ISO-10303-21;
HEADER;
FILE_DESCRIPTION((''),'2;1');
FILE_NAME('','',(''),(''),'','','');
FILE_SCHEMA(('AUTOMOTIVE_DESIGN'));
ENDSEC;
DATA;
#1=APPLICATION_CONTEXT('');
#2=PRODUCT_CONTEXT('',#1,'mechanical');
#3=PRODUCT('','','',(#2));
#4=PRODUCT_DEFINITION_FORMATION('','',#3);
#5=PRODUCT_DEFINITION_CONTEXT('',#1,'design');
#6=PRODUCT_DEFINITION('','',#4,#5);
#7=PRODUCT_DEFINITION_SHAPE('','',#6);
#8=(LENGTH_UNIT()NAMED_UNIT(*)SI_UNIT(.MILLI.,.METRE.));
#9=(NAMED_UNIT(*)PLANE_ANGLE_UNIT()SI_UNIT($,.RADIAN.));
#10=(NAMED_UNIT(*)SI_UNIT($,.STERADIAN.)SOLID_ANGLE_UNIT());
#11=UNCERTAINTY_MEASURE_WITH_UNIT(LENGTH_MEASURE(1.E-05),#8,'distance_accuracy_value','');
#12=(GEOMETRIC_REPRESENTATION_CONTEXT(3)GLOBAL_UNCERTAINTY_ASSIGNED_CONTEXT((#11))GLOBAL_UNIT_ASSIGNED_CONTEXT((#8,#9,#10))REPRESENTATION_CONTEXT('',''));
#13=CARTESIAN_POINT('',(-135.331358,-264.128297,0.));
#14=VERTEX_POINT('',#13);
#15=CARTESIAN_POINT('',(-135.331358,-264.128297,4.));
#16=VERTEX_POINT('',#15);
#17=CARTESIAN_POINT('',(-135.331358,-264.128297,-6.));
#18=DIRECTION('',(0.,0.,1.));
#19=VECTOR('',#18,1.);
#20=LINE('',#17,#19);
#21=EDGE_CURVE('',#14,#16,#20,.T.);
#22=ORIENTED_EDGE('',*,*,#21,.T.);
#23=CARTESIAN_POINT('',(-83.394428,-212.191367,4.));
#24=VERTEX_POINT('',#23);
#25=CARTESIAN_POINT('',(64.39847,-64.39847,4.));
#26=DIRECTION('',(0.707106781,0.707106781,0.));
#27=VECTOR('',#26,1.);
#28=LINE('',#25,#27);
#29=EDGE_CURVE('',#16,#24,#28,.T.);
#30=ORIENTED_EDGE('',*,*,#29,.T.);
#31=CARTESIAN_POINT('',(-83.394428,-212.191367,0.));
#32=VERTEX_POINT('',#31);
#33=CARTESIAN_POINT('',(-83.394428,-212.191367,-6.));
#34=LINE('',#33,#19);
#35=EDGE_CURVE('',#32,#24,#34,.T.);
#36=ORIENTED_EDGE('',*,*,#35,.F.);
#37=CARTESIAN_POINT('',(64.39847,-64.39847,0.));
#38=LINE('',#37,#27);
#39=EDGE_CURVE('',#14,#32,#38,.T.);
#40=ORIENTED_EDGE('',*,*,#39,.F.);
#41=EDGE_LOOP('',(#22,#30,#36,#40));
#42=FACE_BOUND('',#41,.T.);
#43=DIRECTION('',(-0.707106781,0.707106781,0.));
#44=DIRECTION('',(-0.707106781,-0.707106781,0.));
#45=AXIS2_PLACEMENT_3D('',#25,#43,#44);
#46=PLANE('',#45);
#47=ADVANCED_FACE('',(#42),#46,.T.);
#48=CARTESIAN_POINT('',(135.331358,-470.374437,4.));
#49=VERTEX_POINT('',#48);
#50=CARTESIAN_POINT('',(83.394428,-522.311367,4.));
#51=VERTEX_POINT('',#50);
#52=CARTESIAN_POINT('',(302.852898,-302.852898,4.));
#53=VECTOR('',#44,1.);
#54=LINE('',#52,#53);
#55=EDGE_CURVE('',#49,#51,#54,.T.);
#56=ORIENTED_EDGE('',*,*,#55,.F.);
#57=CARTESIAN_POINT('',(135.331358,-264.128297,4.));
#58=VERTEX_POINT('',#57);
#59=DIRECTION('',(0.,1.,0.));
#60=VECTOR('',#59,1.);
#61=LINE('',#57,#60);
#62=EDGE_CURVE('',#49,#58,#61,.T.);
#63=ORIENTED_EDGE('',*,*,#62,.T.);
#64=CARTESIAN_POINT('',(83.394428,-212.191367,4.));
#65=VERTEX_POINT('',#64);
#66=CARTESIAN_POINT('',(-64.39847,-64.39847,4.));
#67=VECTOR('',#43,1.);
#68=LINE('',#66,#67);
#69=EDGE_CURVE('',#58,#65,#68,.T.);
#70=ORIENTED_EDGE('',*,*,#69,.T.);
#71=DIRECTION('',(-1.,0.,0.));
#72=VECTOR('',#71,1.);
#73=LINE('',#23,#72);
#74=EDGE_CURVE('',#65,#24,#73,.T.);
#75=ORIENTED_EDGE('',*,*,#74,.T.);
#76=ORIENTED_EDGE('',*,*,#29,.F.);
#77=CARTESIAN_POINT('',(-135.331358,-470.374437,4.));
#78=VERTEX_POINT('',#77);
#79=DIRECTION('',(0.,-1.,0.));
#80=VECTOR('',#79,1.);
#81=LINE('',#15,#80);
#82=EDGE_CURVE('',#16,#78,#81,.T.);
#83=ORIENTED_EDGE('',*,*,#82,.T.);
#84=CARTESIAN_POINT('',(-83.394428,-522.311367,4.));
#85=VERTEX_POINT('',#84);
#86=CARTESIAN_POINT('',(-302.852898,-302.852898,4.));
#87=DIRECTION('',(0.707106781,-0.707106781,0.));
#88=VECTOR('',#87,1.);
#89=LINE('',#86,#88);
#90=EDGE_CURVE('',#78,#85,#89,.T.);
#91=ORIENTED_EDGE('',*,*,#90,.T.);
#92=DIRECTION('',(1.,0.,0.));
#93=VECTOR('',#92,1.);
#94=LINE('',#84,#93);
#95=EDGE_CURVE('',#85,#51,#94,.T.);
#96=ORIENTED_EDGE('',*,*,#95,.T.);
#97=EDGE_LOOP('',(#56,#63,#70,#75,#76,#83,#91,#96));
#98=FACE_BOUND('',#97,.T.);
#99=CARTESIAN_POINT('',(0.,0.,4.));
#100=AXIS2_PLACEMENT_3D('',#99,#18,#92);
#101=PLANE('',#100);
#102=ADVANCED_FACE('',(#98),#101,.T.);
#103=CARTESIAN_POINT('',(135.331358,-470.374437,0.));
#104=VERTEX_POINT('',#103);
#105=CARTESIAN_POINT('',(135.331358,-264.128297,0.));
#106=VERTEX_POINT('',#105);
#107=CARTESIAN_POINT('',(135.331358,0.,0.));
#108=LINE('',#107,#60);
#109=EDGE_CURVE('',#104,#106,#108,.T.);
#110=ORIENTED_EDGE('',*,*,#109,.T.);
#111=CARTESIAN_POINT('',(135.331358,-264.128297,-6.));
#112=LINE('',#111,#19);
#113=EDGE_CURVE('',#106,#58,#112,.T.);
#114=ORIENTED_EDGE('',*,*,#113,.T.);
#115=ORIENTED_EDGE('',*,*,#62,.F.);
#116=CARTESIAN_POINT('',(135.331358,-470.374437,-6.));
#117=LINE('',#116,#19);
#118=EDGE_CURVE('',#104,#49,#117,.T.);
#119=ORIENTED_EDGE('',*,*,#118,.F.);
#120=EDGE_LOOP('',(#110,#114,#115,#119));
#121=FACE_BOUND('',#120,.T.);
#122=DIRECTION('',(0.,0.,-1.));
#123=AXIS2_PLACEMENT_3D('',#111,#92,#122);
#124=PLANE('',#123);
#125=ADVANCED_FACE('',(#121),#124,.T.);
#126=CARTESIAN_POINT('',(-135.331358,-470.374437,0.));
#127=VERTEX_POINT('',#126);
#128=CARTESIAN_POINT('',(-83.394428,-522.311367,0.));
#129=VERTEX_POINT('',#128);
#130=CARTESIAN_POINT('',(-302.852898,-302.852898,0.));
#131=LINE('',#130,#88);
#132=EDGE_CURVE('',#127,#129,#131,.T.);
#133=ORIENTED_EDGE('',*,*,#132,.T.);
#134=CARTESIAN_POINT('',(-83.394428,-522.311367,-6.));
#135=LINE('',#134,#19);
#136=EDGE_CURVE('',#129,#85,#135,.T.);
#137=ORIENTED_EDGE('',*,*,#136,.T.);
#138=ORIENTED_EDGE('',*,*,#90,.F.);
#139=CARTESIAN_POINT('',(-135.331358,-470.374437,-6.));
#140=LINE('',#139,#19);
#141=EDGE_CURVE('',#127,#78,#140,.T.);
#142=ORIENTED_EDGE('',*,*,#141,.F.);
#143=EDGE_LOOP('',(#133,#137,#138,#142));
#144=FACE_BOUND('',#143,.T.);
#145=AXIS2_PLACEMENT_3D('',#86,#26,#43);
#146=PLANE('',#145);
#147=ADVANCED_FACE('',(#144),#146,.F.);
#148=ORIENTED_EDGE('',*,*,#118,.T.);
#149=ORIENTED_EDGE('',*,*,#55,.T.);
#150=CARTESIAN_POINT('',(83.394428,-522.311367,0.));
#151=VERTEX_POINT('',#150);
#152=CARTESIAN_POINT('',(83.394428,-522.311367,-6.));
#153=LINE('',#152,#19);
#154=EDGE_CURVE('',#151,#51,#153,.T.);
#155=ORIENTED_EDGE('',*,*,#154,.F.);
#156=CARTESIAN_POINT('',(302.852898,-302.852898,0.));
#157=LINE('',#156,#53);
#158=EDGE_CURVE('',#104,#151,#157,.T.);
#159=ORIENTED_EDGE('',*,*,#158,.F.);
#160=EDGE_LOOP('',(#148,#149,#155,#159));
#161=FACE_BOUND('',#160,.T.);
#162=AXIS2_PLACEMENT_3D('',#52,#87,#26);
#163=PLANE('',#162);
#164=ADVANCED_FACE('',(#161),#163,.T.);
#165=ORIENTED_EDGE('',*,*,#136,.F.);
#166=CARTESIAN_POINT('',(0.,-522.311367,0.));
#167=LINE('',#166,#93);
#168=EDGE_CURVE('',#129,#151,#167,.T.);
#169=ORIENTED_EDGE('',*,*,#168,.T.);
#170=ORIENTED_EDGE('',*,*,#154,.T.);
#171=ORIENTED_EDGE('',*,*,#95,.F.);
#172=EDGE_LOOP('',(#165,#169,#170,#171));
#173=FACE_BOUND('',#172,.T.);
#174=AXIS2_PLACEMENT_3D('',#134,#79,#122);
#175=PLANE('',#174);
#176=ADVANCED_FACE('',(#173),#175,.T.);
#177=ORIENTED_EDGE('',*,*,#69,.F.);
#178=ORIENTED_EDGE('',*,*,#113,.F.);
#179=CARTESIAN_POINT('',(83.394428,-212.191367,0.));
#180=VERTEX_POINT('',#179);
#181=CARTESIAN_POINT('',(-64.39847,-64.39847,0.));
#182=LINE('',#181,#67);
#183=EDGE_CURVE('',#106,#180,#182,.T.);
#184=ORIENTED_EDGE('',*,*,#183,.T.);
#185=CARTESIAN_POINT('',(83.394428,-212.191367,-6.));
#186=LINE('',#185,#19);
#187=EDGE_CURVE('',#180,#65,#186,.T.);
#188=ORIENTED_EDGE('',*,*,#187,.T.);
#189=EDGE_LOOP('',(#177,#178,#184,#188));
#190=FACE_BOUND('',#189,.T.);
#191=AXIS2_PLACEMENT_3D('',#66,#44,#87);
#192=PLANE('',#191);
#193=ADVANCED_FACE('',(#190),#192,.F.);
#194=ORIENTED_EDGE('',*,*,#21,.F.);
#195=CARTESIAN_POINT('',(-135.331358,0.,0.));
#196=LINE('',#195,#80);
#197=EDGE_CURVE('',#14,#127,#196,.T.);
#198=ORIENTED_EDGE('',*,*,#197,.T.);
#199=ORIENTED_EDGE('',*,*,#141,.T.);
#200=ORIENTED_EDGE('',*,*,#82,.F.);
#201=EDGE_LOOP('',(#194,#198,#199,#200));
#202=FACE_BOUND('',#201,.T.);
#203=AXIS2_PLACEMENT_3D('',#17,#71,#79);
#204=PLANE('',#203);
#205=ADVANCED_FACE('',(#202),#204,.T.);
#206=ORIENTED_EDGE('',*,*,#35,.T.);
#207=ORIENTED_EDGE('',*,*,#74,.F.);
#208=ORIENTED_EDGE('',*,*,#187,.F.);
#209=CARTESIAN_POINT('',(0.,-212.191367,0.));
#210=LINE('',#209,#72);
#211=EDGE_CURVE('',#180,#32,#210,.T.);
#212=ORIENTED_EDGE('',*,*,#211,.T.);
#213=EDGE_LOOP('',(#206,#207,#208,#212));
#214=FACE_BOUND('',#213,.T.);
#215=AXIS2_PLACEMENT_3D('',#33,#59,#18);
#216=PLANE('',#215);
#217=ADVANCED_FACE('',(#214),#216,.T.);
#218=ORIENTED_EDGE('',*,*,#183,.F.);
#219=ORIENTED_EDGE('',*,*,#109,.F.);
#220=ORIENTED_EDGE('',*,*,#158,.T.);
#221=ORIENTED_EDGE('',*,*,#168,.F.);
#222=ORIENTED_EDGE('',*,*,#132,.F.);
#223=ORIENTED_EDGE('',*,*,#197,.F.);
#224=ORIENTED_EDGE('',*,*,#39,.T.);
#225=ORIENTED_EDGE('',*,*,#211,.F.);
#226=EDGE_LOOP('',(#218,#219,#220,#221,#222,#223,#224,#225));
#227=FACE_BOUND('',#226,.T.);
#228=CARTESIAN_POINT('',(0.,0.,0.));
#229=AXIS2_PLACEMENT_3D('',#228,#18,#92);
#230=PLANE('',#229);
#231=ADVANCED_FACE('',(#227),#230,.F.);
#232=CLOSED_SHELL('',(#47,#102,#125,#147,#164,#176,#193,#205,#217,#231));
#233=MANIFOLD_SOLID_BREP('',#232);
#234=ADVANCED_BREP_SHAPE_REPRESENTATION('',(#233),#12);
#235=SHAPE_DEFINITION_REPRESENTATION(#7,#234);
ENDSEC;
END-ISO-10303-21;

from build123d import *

# Parameters (mm, degrees)
BOSS_EXTRUDE1_DEPTH = 4
SKETCH2_W           = 429.121378383
SKETCH2_H           = 424.720133477
CUT_EXTRUDE1_DEPTH  = 10


with BuildPart() as part:
    # Sketch1 → Boss-Extrude1 (new body)
    with BuildSketch(Plane.XY):
        Polygon((88.868642116, -197.391367321), (-88.868642116, -197.391367321), (-88.868642116, -217.665581629), (-129.454428553, -258.251368066), (-150.131357884, -258.251368066), (-150.131357884, -476.251366576), (-129.454428553, -476.251366576), (-88.868642116, -516.837153014), (-88.868642116, -537.111367321), (88.868642116, -537.111367321), (88.868642116, -516.837153014), (129.454428553, -476.251366576), (150.131357884, -476.251366576), (150.131357884, -258.251368066), (129.454428553, -258.251368066), (88.868642116, -217.665581629), align=None)
    extrude(amount=BOSS_EXTRUDE1_DEPTH)

    # Sketch2 → Cut-Extrude1 (cut)
    with BuildSketch(Plane.XY.offset(4)):
        with Locations((25.344127001, -373.74675893)):
            Rectangle(SKETCH2_W, SKETCH2_H)
        Polygon((-83.394427808, -212.191367321), (83.394427808, -212.191367321), (135.331357884, -264.128297397), (135.331357884, -470.374437245), (83.394427808, -522.311367321), (-83.394427808, -522.311367321), (-135.331357884, -470.374437245), (-135.331357884, -264.128297397), align=None, mode=Mode.SUBTRACT)
    extrude(amount=-CUT_EXTRUDE1_DEPTH, mode=Mode.SUBTRACT)


solid = part.part
